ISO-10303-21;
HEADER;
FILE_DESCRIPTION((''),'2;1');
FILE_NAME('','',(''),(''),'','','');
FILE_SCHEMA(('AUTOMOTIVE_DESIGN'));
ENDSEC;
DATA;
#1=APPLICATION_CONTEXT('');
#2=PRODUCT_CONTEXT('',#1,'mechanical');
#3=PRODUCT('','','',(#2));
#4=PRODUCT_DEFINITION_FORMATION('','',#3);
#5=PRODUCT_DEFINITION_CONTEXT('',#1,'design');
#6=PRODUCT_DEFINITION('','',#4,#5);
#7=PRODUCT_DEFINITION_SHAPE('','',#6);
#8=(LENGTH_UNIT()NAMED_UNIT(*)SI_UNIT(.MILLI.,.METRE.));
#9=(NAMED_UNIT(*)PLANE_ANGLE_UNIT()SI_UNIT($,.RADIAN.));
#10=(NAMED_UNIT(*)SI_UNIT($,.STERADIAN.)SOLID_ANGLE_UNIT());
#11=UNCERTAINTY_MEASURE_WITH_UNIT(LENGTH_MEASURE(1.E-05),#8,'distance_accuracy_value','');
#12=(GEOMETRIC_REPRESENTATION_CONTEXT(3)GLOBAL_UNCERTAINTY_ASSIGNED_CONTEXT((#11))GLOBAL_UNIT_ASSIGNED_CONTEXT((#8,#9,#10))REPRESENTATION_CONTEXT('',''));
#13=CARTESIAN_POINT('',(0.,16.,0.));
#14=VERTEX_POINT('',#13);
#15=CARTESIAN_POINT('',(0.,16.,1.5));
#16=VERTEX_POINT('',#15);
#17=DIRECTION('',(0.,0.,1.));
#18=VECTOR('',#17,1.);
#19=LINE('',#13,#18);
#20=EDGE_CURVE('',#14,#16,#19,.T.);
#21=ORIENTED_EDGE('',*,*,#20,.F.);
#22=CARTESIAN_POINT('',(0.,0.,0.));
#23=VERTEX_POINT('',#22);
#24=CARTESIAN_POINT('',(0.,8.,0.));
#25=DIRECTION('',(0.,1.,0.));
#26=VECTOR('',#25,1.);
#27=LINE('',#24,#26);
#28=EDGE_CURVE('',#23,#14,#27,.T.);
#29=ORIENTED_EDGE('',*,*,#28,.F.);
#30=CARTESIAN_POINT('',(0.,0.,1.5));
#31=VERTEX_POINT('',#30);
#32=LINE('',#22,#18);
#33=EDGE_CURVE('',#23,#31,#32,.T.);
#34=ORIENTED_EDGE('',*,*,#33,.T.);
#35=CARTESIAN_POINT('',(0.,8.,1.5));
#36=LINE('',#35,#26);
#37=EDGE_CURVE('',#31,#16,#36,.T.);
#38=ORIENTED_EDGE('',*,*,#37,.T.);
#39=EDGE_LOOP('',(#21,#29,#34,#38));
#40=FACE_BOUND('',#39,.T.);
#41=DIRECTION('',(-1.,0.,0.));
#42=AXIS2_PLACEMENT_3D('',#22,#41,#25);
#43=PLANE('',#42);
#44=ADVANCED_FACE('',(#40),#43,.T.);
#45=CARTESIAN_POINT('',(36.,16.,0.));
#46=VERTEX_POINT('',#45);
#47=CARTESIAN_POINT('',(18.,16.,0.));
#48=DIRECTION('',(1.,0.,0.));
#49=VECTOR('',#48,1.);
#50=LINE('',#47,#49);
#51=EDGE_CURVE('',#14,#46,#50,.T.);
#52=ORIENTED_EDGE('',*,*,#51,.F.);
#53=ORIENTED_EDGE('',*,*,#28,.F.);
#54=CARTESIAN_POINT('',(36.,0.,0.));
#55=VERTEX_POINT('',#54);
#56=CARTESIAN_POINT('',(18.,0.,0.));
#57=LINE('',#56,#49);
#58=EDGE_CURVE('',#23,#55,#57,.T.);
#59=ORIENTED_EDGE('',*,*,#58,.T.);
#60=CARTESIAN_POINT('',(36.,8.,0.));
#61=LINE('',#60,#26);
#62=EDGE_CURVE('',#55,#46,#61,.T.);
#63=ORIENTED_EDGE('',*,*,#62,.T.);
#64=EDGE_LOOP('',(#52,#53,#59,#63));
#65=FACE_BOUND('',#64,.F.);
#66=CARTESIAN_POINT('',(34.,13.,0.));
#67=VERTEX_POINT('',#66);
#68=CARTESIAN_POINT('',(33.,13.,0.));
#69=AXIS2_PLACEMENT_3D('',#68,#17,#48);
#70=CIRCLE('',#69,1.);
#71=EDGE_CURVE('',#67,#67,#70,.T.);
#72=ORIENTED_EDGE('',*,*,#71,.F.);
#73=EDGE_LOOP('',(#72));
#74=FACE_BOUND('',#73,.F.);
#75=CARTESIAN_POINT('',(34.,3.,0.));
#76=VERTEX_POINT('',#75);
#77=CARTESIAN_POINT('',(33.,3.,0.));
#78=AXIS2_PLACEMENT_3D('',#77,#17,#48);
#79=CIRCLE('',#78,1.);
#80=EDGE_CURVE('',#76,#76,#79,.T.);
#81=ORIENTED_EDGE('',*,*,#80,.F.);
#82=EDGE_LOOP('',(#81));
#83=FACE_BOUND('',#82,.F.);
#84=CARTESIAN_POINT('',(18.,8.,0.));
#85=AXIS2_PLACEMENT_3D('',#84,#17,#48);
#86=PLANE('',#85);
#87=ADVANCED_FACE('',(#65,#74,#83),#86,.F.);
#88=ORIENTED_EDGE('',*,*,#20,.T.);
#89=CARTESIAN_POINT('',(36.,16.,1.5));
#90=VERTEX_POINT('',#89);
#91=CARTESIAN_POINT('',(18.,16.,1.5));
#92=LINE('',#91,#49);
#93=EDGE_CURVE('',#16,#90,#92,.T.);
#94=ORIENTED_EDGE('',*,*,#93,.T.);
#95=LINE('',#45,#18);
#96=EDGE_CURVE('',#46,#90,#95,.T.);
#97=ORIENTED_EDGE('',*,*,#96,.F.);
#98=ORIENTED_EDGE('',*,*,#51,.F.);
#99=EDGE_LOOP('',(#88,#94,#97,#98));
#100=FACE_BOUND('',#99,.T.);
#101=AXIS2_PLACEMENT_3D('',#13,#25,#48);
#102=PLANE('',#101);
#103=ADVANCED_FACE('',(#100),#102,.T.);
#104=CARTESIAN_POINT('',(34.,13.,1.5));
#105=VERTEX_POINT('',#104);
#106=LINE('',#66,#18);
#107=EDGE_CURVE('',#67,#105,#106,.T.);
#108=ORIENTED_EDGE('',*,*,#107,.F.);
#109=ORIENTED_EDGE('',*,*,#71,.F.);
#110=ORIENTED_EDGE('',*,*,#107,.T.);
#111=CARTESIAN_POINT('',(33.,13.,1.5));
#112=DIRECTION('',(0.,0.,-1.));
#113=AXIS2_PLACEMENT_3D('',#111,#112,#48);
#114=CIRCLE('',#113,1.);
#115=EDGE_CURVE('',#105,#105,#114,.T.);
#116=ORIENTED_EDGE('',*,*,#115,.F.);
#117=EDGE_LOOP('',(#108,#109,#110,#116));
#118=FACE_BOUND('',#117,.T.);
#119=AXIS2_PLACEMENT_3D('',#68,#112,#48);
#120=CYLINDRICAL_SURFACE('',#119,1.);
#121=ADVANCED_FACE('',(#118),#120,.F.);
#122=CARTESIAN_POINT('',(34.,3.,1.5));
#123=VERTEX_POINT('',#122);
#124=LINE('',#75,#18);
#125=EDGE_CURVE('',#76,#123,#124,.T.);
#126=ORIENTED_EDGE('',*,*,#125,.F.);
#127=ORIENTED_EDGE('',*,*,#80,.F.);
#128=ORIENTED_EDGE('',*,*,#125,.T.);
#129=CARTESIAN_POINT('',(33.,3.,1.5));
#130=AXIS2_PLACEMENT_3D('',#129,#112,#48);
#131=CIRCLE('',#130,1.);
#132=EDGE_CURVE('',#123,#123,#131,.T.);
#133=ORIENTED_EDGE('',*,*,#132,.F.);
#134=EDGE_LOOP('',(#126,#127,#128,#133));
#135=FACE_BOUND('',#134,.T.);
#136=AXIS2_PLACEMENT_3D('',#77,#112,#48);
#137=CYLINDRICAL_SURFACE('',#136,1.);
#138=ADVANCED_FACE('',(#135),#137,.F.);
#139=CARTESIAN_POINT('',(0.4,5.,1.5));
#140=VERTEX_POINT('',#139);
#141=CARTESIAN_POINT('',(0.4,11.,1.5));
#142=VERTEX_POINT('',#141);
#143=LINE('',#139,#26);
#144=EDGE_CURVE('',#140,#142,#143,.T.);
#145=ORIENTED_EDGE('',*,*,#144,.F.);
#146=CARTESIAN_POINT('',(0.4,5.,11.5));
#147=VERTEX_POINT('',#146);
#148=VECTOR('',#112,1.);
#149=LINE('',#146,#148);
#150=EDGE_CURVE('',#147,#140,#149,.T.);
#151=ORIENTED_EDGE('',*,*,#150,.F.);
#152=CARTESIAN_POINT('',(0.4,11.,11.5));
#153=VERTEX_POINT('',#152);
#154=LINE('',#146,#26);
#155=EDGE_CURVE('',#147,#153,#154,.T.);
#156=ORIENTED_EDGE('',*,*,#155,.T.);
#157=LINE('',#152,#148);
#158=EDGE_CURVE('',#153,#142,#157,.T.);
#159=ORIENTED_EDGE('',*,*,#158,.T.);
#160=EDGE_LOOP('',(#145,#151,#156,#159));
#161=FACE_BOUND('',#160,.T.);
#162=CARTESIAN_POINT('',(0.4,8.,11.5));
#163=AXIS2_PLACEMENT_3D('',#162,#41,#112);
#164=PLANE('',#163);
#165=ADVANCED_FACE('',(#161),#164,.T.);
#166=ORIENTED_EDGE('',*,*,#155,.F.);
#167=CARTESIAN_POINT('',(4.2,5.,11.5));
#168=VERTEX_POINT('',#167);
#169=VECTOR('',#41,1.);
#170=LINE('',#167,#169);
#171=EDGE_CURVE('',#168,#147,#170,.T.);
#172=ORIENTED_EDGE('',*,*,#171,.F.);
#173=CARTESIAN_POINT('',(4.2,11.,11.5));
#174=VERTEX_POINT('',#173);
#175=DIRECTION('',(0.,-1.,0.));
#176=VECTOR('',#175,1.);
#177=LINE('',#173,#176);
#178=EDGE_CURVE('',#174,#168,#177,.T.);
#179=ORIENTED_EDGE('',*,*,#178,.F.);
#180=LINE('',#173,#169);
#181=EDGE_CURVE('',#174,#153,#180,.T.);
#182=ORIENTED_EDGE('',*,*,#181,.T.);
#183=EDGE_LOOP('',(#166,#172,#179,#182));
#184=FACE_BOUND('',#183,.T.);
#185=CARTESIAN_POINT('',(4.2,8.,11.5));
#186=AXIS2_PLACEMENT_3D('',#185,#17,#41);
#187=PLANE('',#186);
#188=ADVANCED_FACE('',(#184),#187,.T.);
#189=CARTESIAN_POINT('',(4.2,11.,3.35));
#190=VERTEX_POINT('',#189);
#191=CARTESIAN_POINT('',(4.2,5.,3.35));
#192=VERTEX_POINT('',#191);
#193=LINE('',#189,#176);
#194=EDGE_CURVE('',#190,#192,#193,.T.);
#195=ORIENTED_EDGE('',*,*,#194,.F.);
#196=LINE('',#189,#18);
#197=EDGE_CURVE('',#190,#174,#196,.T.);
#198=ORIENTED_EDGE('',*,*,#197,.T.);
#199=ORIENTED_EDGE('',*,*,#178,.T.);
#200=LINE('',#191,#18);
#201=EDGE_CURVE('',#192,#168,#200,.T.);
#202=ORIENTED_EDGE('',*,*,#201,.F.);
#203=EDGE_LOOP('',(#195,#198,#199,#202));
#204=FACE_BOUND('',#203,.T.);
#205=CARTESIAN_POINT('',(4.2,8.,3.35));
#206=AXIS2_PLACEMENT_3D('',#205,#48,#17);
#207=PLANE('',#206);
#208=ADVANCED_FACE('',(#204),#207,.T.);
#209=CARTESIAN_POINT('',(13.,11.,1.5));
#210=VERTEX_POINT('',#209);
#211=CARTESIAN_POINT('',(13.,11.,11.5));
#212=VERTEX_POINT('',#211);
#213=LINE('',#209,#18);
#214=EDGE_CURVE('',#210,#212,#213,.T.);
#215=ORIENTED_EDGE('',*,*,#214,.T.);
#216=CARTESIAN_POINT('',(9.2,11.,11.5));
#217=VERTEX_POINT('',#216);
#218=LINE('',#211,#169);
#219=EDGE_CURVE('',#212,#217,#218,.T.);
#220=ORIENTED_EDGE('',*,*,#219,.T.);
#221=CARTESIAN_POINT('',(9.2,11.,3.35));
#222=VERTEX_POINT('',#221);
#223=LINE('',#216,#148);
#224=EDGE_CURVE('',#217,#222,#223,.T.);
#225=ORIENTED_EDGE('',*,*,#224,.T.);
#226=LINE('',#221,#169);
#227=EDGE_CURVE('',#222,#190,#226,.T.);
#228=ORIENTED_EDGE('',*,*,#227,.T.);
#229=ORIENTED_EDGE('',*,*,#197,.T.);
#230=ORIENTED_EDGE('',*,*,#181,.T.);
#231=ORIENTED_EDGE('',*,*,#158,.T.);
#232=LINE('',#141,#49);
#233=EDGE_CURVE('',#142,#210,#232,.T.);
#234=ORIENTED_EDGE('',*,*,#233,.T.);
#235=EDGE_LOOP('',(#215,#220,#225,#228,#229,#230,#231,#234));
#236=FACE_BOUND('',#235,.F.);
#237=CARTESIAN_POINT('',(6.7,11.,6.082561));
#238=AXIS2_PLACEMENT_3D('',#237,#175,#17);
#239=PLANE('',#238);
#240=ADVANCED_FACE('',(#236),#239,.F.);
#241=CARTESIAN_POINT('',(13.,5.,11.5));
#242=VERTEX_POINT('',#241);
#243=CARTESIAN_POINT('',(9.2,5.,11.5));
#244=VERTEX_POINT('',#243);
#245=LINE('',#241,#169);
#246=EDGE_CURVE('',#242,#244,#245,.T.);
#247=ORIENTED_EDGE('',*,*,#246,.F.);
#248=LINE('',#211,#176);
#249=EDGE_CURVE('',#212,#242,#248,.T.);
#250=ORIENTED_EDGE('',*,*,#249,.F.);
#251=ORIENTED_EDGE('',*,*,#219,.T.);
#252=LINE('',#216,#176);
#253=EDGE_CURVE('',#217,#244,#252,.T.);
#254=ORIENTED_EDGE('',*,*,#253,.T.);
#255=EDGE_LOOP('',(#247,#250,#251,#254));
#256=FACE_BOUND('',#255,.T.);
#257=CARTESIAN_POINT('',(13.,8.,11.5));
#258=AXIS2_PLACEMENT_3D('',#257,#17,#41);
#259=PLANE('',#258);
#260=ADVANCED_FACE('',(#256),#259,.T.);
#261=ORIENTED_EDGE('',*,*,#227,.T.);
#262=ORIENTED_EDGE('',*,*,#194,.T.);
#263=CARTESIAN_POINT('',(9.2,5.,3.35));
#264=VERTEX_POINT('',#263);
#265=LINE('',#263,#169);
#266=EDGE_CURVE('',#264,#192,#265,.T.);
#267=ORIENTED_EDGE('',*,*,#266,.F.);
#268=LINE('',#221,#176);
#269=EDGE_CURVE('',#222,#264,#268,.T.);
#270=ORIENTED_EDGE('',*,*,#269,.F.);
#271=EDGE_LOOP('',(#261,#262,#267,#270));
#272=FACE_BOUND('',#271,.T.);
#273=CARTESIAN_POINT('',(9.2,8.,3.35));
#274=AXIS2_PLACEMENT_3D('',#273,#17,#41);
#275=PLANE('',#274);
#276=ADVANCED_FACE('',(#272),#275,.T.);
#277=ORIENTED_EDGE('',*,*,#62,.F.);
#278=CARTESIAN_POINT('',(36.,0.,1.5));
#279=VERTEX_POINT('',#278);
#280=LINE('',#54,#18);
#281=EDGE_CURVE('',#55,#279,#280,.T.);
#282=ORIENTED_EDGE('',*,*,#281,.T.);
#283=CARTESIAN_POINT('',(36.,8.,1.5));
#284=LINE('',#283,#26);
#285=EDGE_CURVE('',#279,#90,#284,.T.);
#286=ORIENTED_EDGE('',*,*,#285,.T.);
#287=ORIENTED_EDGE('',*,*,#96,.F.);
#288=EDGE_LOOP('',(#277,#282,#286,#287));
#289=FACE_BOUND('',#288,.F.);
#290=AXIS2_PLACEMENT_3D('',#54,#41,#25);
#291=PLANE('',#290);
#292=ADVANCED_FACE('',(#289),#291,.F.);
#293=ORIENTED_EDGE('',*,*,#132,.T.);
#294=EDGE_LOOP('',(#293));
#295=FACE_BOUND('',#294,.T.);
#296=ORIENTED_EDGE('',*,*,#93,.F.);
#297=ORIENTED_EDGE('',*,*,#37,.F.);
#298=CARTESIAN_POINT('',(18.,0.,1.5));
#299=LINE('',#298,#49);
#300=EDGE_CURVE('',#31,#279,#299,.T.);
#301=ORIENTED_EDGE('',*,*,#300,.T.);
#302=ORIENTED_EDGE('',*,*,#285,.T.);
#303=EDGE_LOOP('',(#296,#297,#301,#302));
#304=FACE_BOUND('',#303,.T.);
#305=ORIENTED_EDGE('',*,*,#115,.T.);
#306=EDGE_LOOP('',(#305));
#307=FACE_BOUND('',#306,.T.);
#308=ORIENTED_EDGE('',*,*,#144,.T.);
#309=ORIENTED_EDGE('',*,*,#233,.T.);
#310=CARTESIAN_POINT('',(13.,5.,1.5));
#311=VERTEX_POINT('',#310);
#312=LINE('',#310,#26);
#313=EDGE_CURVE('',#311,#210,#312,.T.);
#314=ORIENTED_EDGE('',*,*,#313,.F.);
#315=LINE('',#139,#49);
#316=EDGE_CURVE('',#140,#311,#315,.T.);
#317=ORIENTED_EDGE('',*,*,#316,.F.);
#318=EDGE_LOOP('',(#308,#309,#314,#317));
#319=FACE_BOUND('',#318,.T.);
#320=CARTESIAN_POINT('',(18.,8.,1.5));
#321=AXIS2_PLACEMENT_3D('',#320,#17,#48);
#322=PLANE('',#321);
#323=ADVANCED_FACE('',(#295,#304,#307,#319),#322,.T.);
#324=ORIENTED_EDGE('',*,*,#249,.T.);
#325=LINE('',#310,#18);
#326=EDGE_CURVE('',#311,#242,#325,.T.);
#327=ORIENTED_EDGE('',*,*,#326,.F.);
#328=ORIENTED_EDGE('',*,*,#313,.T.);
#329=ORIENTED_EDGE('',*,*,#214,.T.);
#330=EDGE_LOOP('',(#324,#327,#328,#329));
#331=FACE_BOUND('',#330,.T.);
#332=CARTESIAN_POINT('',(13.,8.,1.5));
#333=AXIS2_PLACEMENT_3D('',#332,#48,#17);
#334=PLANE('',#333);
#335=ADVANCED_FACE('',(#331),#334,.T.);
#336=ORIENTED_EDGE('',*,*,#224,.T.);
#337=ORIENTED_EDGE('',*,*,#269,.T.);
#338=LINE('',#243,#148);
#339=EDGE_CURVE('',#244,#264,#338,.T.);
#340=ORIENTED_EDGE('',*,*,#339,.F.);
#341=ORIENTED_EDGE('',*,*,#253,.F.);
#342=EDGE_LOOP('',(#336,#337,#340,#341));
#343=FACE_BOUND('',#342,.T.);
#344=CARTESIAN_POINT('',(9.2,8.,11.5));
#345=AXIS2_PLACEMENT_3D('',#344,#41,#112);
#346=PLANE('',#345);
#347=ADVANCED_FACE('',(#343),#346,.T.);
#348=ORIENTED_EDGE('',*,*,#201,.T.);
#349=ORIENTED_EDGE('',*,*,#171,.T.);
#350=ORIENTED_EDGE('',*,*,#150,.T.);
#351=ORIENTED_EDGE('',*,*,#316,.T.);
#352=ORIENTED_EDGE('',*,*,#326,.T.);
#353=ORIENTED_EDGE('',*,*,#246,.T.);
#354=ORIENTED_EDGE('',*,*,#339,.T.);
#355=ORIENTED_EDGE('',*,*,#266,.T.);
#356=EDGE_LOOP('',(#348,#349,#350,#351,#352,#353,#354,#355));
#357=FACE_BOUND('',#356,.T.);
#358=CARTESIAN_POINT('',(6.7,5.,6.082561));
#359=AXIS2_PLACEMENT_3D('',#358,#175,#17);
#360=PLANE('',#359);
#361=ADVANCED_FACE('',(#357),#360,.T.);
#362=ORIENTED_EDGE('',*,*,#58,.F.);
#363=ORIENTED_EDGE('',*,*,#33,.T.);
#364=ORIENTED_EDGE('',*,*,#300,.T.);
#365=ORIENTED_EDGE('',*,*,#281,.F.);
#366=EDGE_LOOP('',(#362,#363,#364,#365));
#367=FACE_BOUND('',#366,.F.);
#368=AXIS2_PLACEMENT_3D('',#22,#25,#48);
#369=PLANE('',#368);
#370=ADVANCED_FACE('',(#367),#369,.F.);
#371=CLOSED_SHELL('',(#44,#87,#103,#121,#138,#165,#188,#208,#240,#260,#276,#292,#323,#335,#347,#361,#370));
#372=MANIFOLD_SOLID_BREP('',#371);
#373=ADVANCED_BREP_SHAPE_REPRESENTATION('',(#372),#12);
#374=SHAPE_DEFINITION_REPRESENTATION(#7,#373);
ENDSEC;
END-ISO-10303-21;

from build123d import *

# Parameters (mm, degrees)
CYLINDER1054_R     = 1
CYLINDER1054_DEPTH = 5
CYLINDER1055_R     = 1
CYLINDER1055_DEPTH = 5
BOX258_W           = 36
BOX258_H           = 16
BOX258_DEPTH       = 1.5
PAD042_DEPTH       = 3


with BuildPart() as cylinder1062:
    # Cylinder1054 → Cylinder1054 (new body)
    with BuildSketch(Plane(origin=(33, 3, 0), x_dir=(1, 0, 0), z_dir=(0, 0, 1))):
        Circle(CYLINDER1054_R)
    extrude(amount=CYLINDER1054_DEPTH)


with BuildPart() as fusion151:
    # Cylinder1055 → Cylinder1055 (new body)
    with BuildSketch(Plane(origin=(33, 13, 0), x_dir=(1, 0, 0), z_dir=(0, 0, 1))):
        Circle(CYLINDER1055_R)
    extrude(amount=CYLINDER1055_DEPTH)

    # Fusion151: union Cylinder1062
    add(cylinder1062.part)


with BuildPart() as cut:
    # Box258 → Box258 (new body)
    with BuildSketch(Plane.XY):
        with Locations((18, 8)):
            Rectangle(BOX258_W, BOX258_H)
    extrude(amount=BOX258_DEPTH)

    # Cut: cut Fusion151
    add(fusion151.part, mode=Mode.SUBTRACT)


with BuildPart() as optopcba:
    # Sketch067 → Pad042 (new body, symmetric)
    with BuildSketch(Plane(origin=(13, 8, 1.5), x_dir=(0, 0, 1), z_dir=(0, -1, 0))):
        Polygon((0, 0), (10, 0), (10, 3.8), (1.85, 3.8), (1.85, 8.8), (10, 8.8), (10, 12.6), (0, 12.6), align=None)
    extrude(amount=PAD042_DEPTH, both=True)

    # Fusion152: union Cut
    add(cut.part)


solid = optopcba.part
